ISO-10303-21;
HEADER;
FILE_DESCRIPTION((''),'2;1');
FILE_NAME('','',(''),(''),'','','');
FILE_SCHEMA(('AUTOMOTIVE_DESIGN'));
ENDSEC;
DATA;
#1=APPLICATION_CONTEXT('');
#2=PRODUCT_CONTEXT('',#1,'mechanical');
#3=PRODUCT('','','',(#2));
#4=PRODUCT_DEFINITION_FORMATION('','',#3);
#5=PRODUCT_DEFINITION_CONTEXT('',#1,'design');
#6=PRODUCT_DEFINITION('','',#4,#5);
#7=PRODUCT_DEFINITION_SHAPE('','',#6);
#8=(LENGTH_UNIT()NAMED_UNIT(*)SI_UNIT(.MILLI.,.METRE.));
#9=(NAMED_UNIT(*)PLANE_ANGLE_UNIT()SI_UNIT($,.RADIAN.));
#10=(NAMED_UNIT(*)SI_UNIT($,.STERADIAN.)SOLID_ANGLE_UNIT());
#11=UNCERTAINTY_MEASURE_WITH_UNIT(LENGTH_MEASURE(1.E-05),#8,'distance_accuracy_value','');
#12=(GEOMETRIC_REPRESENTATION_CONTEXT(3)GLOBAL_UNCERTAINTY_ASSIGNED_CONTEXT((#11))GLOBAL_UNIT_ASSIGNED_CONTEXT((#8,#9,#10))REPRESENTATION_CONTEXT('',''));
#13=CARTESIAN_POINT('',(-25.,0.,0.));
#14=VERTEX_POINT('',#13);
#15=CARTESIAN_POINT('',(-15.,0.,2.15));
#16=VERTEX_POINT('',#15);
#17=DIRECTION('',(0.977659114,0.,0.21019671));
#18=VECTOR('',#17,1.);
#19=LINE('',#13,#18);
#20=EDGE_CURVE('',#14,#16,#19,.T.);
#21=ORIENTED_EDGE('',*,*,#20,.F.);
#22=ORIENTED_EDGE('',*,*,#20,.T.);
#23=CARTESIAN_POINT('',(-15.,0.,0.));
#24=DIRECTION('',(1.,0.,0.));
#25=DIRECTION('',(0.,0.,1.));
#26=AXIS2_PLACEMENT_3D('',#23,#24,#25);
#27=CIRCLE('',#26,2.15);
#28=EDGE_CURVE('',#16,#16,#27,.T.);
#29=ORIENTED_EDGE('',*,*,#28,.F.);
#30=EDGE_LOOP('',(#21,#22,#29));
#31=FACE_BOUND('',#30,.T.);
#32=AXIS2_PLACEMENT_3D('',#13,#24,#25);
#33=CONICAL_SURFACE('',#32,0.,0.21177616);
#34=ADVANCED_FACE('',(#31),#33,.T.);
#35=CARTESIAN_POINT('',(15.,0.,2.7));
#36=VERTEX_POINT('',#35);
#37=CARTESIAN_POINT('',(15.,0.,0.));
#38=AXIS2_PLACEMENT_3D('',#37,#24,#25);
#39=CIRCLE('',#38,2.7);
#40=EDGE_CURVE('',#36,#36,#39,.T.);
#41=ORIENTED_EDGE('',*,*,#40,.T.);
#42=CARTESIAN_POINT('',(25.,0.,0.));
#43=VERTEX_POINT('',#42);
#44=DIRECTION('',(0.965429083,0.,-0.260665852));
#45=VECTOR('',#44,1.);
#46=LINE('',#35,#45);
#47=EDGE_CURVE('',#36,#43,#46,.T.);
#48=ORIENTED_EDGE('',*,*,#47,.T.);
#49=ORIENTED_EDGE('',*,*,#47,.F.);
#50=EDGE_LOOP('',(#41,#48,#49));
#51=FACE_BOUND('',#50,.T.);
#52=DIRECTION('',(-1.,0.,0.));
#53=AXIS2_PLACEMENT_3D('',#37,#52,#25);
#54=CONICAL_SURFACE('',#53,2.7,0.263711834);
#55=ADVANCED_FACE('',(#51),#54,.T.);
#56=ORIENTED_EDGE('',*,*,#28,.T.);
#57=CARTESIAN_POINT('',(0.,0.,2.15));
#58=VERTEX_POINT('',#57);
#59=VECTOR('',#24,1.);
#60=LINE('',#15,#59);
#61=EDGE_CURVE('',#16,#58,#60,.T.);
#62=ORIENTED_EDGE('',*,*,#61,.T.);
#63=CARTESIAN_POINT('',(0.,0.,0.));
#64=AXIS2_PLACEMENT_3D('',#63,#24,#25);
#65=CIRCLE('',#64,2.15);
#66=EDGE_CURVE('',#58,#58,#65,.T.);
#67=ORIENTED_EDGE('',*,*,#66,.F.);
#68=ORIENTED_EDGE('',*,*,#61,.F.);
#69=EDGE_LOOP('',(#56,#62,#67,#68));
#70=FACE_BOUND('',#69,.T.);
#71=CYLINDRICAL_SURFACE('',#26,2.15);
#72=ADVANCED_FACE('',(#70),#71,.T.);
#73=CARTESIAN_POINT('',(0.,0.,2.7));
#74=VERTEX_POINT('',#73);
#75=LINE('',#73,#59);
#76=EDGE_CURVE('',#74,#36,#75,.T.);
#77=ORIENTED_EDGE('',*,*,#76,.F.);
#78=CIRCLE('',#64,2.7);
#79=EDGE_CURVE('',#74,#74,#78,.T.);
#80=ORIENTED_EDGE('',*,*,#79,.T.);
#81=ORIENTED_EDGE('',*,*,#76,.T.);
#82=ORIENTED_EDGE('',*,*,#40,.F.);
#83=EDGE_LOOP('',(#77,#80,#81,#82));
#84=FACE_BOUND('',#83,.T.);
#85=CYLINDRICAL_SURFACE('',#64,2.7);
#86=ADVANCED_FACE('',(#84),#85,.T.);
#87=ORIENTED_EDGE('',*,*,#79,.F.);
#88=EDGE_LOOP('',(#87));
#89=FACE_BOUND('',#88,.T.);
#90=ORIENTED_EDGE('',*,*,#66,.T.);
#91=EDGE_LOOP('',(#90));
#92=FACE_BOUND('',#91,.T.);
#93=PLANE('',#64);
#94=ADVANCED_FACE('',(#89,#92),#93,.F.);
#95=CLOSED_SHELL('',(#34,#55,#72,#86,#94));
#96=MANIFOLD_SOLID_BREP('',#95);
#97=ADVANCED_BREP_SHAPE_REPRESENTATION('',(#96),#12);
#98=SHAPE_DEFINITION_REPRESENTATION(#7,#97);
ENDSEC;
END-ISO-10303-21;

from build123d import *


with BuildPart() as part:
    # Sketch → Revolution (revolve)
    with BuildSketch(Plane.XZ):
        Polygon((-15, 2.15), (0, 2.15), (0, 2.7), (15, 2.7), (25, 0), (-25, 0), align=None)
    revolve(axis=Axis((0, 0, 0), (1, 0, 0)))


solid = part.part
